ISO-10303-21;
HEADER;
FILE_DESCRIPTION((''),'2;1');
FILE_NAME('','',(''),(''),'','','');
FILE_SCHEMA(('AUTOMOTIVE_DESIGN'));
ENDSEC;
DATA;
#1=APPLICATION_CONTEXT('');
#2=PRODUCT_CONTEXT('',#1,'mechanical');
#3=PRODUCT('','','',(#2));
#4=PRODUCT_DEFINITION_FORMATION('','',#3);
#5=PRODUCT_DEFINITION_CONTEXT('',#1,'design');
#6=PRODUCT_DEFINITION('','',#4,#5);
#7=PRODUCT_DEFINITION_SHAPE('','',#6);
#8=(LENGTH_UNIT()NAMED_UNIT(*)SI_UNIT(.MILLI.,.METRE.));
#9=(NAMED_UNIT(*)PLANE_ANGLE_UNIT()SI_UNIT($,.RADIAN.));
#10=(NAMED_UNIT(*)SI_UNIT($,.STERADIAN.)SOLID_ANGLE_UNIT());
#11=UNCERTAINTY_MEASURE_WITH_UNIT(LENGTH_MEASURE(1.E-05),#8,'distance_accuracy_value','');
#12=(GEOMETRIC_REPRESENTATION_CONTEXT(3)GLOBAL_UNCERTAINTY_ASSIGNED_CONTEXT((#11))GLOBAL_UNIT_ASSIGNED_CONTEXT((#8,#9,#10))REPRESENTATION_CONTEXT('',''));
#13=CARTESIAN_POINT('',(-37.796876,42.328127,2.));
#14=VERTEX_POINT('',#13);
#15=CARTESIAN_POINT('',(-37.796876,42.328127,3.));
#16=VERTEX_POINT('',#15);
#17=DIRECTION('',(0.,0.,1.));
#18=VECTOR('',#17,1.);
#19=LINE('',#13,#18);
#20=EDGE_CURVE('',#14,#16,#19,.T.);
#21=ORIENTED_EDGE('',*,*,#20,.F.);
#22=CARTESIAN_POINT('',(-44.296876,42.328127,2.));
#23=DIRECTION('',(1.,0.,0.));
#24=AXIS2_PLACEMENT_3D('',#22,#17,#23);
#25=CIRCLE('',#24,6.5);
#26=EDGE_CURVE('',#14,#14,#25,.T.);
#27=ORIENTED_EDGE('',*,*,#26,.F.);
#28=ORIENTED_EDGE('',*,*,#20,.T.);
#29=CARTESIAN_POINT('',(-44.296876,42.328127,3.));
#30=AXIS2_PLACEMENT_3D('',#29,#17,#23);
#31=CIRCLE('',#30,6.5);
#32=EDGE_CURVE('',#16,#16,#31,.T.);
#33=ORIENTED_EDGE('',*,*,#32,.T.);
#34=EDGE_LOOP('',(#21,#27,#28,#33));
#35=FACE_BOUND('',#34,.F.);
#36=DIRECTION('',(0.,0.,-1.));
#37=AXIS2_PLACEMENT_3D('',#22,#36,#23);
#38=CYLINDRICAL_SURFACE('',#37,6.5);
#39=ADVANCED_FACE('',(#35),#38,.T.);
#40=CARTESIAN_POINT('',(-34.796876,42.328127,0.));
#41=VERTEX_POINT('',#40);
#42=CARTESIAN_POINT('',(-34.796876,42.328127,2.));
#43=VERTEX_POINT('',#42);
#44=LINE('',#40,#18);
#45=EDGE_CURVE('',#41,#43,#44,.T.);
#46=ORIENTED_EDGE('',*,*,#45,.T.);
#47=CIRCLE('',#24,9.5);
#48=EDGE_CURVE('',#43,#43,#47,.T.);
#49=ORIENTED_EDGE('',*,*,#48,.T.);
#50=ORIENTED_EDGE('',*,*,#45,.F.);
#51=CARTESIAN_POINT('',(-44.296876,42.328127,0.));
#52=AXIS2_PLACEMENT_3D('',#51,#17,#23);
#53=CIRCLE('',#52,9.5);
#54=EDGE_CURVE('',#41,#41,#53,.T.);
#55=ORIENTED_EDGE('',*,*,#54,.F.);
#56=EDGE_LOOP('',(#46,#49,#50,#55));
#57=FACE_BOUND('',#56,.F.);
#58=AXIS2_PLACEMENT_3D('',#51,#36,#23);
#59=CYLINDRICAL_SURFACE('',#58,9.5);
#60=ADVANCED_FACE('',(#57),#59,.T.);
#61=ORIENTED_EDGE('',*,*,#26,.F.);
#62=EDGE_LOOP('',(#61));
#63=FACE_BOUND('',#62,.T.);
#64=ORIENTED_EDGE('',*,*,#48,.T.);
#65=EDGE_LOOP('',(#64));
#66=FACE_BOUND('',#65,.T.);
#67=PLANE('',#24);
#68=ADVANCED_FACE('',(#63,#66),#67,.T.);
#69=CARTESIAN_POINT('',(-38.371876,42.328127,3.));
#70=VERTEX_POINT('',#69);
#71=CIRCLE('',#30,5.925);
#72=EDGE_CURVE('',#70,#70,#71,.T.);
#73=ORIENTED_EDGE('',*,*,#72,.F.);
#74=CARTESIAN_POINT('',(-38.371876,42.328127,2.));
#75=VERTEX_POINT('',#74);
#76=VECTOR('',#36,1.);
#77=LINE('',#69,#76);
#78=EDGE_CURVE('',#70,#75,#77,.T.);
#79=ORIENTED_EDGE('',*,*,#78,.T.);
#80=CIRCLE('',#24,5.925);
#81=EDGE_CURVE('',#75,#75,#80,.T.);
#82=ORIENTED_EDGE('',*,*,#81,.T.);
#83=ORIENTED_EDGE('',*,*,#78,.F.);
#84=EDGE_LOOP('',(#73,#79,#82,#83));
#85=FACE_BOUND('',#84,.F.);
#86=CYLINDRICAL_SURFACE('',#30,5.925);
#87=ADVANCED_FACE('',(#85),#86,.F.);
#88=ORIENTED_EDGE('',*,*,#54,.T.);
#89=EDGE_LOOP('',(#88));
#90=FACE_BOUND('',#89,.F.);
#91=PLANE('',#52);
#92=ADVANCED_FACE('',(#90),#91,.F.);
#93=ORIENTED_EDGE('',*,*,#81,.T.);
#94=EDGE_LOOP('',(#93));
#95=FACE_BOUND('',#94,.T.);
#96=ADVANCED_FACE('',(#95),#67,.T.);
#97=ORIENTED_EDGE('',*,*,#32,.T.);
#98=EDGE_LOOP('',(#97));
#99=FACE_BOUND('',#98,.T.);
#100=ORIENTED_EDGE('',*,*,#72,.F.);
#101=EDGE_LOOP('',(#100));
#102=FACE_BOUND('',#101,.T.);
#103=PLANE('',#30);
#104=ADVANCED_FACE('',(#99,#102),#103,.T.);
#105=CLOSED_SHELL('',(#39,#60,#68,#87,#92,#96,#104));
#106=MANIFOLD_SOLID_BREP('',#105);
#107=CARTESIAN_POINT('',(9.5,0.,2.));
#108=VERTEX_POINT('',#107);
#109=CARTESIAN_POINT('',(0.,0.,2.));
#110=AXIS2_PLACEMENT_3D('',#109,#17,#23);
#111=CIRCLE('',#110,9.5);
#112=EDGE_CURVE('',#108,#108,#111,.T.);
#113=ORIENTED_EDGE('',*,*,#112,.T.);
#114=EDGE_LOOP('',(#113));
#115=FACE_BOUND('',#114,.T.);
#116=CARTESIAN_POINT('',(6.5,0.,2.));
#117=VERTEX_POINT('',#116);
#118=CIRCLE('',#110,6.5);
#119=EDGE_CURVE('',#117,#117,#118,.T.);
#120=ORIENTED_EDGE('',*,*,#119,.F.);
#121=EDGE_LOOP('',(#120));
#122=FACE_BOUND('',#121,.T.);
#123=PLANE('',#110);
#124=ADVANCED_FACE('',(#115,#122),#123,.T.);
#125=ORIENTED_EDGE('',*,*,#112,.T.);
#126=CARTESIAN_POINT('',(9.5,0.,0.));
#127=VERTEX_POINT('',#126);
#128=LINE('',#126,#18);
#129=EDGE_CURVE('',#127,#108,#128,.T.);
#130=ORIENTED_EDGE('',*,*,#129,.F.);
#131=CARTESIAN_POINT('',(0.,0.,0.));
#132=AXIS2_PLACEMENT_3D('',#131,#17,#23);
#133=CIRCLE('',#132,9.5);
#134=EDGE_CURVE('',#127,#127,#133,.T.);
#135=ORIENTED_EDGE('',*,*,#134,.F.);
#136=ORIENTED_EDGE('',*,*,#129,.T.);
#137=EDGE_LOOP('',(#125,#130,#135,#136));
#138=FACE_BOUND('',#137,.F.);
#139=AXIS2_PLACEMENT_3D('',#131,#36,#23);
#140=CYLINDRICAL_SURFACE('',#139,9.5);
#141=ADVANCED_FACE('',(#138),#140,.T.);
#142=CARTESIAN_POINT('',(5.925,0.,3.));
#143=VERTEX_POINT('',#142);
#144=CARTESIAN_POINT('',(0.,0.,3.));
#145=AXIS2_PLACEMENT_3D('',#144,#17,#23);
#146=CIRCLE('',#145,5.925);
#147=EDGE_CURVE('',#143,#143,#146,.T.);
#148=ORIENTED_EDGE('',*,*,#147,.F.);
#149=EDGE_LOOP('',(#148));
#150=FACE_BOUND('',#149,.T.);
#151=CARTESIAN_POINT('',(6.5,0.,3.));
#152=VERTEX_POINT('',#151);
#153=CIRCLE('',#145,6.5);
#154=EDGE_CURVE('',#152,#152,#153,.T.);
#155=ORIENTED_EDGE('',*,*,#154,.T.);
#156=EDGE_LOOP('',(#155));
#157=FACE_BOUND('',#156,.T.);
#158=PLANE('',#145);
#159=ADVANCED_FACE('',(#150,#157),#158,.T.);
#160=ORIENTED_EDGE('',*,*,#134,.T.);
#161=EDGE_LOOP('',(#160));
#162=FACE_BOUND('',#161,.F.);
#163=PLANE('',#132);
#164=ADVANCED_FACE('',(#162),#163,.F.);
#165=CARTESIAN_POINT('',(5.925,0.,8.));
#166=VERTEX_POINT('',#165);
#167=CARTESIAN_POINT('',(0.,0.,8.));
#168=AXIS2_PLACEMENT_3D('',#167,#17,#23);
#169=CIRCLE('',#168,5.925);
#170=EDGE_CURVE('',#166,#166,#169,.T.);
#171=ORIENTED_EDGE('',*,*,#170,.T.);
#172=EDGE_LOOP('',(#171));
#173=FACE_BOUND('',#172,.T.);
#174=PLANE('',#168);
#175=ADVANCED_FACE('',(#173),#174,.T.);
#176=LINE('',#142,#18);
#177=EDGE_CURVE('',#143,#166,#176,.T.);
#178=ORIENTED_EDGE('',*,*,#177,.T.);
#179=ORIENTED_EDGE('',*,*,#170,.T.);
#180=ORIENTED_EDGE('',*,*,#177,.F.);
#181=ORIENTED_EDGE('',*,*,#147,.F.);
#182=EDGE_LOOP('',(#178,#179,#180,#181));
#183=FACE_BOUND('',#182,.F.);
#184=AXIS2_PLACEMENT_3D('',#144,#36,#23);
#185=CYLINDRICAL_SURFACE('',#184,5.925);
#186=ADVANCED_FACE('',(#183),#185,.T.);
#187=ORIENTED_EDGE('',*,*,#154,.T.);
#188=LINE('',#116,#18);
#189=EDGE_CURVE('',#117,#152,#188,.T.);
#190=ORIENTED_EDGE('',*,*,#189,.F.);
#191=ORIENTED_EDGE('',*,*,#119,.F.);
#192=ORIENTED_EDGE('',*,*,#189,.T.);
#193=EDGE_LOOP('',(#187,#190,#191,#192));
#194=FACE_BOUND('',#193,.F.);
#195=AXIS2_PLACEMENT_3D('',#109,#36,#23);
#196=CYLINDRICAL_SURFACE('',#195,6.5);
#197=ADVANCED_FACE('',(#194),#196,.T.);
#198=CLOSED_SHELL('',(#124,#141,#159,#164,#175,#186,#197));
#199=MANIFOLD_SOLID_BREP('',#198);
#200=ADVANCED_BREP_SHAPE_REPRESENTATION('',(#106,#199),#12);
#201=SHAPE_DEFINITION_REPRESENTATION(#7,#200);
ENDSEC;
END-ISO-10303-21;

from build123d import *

# Parameters (mm, degrees)
F0_R      = 9.5
F1_DEPTH  = 2
F2_R      = 6.5
F3_DEPTH  = 1
F4_R      = 5.925
F5_DEPTH  = 5
F6_R      = 9.5
F7_DEPTH  = 2
F8_R      = 6.5
F9_DEPTH  = 1
F10_R     = 5.925
F11_DEPTH = 1


with BuildPart() as f1:
    # F0 (on Top) → F1 (new body)
    with BuildSketch(Plane.XY):
        Circle(F0_R)
    extrude(amount=F1_DEPTH)

    # F2 (on face) → F3 (join)
    with BuildSketch(Plane.XY.offset(2)):
        Circle(F2_R)
    extrude(amount=F3_DEPTH)

    # F4 (on face) → F5 (join)
    with BuildSketch(Plane.XY.offset(3)):
        Circle(F4_R)
    extrude(amount=F5_DEPTH)


with BuildPart() as f7:
    # F6 (on Top) → F7 (new body)
    with BuildSketch(Plane.XY):
        with Locations((-44.296876, 42.328127)):
            Circle(F6_R)
    extrude(amount=F7_DEPTH)

    # F8 (on face) → F9 (join)
    with BuildSketch(Plane.XY.offset(2)):
        with Locations((-44.296876, 42.328127)):
            Circle(F8_R)
    extrude(amount=F9_DEPTH)

    # F10 (on face) → F11 (cut)
    with BuildSketch(Plane.XY.offset(3)):
        with Locations((-44.296876, 42.328127)):
            Circle(F10_R)
    extrude(amount=-F11_DEPTH, mode=Mode.SUBTRACT)


solid = Compound([f1.part, f7.part])
